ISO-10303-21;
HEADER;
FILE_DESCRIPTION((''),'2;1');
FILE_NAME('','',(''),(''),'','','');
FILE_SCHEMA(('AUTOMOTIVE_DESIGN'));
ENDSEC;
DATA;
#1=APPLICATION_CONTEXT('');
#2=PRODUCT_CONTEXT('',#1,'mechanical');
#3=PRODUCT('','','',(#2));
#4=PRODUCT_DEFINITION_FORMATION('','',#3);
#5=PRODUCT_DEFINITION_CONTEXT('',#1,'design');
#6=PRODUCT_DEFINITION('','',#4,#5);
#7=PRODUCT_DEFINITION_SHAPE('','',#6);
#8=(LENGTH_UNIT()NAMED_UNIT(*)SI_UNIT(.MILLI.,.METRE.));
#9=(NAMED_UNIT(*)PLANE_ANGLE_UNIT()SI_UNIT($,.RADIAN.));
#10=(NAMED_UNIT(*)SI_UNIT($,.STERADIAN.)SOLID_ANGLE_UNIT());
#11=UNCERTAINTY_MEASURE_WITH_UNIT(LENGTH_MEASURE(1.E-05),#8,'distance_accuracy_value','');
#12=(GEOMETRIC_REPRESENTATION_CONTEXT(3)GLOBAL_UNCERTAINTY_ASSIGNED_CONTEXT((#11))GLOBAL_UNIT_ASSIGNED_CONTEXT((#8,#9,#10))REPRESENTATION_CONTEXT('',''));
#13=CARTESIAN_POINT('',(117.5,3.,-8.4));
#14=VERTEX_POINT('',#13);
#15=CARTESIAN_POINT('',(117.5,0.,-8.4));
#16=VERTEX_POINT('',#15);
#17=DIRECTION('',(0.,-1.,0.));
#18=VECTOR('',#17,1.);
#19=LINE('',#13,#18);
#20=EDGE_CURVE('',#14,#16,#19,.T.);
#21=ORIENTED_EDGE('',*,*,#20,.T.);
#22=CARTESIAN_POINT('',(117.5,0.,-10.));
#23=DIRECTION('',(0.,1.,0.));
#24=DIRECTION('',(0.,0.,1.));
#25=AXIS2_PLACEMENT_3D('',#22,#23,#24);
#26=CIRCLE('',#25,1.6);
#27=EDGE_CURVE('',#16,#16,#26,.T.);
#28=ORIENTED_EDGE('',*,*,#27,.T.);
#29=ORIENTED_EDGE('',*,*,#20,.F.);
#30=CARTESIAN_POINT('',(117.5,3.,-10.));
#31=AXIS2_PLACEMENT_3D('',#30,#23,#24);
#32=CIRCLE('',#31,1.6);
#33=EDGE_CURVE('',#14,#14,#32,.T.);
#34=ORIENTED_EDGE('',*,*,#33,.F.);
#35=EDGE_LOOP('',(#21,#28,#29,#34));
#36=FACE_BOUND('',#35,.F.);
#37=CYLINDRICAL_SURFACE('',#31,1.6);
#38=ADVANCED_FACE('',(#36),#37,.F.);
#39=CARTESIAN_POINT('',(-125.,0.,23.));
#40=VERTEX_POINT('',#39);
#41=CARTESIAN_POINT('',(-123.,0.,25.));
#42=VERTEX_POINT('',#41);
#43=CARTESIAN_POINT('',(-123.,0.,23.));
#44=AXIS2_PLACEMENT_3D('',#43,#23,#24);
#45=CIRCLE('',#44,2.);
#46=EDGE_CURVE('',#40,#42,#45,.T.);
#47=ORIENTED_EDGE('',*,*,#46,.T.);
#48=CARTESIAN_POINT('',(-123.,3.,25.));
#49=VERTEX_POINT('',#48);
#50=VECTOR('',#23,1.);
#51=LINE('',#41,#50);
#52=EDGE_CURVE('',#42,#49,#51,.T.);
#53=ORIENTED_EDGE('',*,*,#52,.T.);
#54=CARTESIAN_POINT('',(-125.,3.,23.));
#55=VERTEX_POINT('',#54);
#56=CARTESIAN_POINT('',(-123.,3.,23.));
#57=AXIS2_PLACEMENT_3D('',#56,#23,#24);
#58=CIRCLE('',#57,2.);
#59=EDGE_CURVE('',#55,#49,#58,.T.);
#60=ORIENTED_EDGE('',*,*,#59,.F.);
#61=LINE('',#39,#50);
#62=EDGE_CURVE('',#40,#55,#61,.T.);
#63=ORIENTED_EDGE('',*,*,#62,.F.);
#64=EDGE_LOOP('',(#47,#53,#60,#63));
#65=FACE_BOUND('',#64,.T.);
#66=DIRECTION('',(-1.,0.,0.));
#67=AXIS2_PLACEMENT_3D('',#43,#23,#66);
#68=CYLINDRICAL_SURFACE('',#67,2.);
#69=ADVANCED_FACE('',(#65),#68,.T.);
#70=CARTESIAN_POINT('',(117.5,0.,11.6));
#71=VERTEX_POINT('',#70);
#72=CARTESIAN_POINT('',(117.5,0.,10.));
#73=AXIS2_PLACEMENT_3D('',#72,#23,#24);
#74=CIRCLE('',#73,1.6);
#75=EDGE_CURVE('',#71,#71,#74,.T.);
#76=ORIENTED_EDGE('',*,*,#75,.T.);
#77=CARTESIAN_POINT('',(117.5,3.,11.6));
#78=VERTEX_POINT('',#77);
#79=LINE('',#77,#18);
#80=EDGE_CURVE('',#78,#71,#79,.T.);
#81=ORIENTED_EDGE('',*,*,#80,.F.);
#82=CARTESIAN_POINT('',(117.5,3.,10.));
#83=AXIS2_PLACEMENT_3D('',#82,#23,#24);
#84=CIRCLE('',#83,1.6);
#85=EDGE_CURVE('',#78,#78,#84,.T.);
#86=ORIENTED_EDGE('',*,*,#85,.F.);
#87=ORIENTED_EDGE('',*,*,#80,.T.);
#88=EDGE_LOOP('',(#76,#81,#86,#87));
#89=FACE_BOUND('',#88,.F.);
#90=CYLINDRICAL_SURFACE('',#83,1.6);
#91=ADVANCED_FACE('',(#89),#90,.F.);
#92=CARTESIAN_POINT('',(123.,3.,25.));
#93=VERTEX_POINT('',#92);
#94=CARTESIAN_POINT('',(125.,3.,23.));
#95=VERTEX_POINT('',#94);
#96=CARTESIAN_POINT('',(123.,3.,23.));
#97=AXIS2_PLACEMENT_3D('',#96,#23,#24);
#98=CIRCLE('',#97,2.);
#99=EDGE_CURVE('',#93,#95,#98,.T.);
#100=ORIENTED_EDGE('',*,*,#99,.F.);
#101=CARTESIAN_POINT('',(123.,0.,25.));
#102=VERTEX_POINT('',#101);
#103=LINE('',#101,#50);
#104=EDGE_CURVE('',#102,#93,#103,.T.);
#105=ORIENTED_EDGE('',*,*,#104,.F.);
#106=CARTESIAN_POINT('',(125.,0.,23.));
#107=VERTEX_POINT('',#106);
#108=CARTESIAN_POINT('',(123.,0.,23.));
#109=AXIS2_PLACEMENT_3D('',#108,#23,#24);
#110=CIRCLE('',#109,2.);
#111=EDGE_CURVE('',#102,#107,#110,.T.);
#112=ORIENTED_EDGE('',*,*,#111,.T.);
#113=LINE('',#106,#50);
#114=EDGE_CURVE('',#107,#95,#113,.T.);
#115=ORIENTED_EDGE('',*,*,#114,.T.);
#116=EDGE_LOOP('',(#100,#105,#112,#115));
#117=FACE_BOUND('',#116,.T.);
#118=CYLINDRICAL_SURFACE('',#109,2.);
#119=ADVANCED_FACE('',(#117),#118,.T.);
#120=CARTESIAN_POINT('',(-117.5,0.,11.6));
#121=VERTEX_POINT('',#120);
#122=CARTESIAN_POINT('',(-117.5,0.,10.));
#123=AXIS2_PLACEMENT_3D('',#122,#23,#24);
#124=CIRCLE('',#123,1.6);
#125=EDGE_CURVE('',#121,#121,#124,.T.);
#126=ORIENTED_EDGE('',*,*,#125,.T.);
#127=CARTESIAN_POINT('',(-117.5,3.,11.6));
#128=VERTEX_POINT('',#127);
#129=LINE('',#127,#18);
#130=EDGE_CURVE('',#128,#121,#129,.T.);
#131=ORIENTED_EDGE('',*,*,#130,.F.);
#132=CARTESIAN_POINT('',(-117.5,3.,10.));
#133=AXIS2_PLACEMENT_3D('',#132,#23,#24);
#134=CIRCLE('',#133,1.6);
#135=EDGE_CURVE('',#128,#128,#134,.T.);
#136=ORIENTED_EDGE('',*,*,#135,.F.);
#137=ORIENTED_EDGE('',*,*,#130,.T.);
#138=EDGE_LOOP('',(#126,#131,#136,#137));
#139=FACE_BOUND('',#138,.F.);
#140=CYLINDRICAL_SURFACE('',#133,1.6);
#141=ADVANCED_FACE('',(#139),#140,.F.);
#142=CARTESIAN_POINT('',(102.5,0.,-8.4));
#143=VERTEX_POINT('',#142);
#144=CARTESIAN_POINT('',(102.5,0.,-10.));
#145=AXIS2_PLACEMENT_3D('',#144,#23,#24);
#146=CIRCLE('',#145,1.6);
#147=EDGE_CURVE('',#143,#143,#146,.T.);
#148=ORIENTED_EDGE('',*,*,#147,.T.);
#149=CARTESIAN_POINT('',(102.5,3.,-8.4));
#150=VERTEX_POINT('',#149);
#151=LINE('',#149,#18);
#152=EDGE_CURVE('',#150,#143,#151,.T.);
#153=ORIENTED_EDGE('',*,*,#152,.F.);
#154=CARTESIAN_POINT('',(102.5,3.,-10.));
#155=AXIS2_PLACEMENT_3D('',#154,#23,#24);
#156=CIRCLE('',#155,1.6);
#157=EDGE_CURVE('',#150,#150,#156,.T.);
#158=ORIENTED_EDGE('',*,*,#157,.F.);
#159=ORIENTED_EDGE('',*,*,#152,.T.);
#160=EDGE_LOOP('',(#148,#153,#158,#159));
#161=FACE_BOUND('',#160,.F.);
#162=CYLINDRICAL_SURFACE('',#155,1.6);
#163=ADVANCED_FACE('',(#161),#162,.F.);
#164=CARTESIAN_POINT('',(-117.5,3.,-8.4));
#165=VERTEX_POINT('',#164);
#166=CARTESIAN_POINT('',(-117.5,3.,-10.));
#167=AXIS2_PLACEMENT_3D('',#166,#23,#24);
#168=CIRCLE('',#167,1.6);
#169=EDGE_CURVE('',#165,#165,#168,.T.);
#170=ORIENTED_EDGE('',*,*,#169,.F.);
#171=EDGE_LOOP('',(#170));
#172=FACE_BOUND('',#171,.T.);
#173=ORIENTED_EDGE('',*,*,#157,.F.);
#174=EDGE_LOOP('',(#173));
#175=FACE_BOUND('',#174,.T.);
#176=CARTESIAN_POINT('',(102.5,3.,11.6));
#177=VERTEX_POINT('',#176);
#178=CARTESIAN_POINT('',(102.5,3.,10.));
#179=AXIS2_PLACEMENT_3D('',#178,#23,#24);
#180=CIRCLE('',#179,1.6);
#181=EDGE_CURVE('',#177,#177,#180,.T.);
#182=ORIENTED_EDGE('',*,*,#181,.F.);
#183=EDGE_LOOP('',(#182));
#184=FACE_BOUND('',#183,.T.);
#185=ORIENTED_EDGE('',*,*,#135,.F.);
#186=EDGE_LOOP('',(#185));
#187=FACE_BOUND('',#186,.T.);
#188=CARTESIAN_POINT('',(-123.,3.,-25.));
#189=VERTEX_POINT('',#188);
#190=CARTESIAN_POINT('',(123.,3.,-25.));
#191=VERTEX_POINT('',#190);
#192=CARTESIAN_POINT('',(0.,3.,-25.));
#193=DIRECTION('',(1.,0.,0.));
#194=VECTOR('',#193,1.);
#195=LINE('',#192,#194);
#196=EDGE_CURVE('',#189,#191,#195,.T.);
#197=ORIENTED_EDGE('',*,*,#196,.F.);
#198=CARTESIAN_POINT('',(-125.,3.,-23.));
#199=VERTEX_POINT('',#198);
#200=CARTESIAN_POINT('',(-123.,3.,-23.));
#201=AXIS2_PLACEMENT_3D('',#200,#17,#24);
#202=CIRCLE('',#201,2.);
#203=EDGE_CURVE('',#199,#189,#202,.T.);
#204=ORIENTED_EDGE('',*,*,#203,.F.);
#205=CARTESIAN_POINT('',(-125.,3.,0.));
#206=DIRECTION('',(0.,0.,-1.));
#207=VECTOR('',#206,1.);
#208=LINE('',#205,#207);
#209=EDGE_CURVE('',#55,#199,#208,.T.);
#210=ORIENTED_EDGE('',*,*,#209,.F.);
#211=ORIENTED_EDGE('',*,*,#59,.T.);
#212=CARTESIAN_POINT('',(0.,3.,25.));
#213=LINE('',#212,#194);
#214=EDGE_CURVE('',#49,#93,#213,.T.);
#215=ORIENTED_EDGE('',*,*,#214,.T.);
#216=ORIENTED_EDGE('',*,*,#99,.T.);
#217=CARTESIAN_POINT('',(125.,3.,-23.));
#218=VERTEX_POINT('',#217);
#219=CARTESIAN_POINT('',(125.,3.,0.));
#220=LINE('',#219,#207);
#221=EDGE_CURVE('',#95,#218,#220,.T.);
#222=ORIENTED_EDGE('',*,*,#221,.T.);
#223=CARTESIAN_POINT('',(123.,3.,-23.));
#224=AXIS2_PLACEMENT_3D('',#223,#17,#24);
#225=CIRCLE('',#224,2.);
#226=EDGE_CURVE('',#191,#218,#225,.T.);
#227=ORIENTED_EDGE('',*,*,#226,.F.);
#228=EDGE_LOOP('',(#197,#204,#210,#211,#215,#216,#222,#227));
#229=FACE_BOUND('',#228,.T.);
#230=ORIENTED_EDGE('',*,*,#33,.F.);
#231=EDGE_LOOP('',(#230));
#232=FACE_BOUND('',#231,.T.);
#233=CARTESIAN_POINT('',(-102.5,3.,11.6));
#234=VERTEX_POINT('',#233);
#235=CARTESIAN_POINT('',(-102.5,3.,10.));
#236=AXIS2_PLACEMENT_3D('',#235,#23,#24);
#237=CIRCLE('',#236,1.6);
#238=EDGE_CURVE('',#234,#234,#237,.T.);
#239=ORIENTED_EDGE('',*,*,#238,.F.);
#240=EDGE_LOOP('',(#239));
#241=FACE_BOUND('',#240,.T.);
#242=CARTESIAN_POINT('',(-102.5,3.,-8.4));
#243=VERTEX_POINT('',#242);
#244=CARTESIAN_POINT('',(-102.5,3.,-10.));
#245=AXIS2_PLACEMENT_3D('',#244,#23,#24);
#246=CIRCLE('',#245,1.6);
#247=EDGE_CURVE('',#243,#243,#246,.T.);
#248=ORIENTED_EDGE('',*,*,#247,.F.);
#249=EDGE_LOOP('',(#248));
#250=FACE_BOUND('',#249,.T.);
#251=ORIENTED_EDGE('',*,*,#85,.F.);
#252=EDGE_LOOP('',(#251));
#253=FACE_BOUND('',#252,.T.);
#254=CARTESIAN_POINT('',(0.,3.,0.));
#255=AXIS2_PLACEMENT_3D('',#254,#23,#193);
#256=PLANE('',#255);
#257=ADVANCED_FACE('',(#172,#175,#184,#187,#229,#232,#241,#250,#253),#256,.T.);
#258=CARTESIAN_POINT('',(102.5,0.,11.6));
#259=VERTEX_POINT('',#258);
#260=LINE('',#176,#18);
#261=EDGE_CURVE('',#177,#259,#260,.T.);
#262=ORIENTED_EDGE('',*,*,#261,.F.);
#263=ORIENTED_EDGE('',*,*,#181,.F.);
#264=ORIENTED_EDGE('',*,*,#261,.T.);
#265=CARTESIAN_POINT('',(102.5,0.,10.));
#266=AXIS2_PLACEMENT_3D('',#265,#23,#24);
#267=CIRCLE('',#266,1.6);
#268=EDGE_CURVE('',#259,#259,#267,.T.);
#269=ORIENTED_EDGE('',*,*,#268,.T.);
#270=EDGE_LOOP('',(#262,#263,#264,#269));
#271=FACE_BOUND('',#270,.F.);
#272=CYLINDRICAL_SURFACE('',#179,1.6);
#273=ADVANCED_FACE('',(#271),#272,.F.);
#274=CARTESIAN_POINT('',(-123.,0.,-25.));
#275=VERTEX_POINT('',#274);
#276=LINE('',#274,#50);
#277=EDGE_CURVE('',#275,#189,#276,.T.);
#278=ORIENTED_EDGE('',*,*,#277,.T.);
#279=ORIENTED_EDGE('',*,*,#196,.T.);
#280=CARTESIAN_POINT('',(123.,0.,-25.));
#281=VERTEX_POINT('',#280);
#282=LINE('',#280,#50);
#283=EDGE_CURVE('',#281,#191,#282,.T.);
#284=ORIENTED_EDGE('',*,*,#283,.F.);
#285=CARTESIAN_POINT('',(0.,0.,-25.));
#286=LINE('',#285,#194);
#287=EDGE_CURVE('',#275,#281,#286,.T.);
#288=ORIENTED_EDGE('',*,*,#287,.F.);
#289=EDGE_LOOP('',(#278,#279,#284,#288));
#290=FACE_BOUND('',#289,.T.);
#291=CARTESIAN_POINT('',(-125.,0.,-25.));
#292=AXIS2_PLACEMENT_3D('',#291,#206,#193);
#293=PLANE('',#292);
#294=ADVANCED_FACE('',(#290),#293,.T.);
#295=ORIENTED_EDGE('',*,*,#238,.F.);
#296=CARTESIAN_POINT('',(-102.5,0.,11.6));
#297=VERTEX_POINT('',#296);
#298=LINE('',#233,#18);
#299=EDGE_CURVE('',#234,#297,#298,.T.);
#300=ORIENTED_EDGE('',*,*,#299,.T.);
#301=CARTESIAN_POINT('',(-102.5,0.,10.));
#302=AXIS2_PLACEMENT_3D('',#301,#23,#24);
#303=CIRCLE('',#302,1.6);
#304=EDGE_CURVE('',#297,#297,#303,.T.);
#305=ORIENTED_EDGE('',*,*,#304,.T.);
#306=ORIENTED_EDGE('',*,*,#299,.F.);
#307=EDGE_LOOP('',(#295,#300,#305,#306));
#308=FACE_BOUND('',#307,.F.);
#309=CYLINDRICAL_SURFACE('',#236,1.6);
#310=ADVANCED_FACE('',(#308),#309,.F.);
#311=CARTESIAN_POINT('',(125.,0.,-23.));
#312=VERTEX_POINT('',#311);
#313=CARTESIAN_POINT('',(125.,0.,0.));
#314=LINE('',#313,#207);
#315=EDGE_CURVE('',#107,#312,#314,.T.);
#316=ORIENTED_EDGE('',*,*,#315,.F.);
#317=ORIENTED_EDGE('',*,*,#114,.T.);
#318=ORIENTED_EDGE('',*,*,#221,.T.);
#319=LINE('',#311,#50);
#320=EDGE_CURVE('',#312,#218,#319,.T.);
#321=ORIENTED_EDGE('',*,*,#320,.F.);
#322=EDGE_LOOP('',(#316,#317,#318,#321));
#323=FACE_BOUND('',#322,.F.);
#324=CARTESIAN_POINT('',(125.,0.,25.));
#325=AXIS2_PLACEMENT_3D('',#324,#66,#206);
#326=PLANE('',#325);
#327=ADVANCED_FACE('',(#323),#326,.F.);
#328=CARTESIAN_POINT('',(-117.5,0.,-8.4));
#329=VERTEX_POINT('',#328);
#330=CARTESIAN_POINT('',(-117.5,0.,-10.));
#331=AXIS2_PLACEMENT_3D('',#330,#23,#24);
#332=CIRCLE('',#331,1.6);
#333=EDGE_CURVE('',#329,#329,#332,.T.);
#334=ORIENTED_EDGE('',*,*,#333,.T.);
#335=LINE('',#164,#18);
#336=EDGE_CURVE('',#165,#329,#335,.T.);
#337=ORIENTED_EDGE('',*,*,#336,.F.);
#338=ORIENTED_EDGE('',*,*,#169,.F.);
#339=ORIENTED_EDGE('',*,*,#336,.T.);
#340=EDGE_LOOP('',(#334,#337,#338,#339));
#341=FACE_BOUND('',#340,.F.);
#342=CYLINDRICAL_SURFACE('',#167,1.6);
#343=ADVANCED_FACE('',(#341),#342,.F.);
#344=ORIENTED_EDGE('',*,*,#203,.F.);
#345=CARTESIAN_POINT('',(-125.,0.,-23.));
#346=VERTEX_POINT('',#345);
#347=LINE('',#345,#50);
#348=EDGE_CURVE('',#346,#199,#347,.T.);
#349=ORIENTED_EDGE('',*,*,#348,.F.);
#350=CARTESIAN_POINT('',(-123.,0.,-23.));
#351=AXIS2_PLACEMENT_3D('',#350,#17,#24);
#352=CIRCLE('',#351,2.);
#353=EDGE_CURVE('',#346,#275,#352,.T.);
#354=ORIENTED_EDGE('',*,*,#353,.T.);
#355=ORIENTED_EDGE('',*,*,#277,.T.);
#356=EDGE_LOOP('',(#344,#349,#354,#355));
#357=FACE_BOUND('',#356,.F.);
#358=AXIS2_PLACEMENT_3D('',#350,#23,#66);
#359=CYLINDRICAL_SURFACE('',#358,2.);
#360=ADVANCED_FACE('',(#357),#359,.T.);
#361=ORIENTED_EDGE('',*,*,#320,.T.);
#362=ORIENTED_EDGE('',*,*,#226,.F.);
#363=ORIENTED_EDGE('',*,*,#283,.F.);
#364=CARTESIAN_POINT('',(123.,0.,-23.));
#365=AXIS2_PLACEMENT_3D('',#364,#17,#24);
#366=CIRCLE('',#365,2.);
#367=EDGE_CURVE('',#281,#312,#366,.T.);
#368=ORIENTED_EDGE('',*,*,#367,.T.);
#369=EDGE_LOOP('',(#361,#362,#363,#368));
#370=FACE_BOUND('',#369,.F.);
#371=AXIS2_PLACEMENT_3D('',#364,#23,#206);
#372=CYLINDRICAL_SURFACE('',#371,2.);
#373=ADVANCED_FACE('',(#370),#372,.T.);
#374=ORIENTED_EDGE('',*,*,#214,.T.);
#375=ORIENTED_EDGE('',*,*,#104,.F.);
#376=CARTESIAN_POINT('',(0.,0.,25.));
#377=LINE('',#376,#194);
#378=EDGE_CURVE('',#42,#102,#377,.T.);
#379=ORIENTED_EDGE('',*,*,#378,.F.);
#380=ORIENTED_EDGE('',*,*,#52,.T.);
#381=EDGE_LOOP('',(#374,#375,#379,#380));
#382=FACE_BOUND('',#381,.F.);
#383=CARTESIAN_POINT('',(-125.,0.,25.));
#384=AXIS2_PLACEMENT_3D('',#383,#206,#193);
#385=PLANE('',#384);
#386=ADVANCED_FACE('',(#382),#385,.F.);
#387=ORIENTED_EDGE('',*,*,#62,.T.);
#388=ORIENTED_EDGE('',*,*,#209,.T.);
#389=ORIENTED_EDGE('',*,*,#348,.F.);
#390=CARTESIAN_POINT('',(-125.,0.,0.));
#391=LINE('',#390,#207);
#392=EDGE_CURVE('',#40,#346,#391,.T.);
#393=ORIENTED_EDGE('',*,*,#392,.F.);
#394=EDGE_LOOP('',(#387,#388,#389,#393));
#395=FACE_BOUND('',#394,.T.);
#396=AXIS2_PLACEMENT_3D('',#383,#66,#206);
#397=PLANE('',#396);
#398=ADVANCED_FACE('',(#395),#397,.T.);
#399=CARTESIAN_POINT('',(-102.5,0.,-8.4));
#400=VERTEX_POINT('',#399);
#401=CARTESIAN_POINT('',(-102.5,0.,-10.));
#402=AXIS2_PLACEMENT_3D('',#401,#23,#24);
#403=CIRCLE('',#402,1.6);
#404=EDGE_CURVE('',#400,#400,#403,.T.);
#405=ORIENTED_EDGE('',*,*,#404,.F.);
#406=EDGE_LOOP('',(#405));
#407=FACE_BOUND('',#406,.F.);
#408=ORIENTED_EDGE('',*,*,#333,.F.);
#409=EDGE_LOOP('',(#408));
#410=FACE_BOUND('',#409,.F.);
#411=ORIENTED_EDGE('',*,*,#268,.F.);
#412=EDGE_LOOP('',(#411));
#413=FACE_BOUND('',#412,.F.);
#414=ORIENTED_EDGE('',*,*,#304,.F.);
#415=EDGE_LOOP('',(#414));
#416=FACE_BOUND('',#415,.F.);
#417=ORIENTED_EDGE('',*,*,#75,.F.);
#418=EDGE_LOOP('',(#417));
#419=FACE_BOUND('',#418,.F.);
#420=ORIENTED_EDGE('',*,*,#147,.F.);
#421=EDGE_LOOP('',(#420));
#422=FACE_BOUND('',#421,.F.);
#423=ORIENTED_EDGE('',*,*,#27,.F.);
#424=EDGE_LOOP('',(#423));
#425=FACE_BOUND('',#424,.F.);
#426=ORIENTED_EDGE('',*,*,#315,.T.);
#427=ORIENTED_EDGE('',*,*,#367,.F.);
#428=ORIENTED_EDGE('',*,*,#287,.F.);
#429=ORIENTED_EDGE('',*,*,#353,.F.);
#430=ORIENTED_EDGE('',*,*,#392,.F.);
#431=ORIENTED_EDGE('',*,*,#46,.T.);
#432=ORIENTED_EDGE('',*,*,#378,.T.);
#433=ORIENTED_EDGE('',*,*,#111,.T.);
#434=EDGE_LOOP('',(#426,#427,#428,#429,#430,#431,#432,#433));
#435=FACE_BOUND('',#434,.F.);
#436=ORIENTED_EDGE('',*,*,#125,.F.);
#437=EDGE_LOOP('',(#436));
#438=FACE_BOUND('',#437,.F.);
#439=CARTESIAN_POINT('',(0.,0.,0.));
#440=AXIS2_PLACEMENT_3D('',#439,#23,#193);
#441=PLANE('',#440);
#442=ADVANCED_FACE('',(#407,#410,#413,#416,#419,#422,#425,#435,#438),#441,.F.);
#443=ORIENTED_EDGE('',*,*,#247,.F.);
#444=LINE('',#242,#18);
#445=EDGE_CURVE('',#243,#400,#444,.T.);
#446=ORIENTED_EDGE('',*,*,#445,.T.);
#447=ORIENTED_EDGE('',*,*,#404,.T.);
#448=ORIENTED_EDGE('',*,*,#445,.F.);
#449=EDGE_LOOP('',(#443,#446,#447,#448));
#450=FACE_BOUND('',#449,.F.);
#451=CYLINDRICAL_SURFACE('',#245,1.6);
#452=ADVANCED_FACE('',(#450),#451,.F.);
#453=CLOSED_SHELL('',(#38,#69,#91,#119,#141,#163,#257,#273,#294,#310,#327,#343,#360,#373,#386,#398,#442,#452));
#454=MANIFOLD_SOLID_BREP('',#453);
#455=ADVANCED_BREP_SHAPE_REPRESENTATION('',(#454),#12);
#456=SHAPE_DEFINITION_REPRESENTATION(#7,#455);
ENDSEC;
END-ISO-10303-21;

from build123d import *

# Parameters (mm, degrees)
SKETCH_1_W          = 250
SKETCH_1_H          = 50
EXTRUDE_1_DEPTH     = 3
CUT_EXTRUDE_1_REACH = 129.511
SKETCH_3_R          = 1.6
FILLET_1_R          = 2


with BuildPart() as part:
    # 草图1 → 凸台-拉伸1 (new body)
    with BuildSketch(Plane(origin=(0, 0, 0), x_dir=(1, 0, 0), z_dir=(0, 1, 0))):
        Rectangle(SKETCH_1_W, SKETCH_1_H)
    extrude(amount=EXTRUDE_1_DEPTH)

    # 草图3 → 切除-拉伸1 (cut, up to next)
    with BuildSketch(Plane(origin=(0, 3, 0), x_dir=(1, 0, 0), z_dir=(0, 1, 0)), mode=Mode.PRIVATE) as cut_extrude_1_sk1:
        with Locations(Location((-117.5, 10, 0), (0, 0, 270))):
            Circle(SKETCH_3_R)
    cut_extrude_1_tool1 = extrude(cut_extrude_1_sk1.sketch, amount=-CUT_EXTRUDE_1_REACH, mode=Mode.PRIVATE) & part.part
    # 草图3 → 切除-拉伸1 (cut, up to next)
    with BuildSketch(Plane(origin=(0, 3, 0), x_dir=(1, 0, 0), z_dir=(0, 1, 0)), mode=Mode.PRIVATE) as cut_extrude_1_sk2:
        with Locations(Location((-102.5, 10, 0), (0, 0, 270))):
            Circle(SKETCH_3_R)
    cut_extrude_1_tool2 = extrude(cut_extrude_1_sk2.sketch, amount=-CUT_EXTRUDE_1_REACH, mode=Mode.PRIVATE) & part.part
    # 草图3 → 切除-拉伸1 (cut, up to next)
    with BuildSketch(Plane(origin=(0, 3, 0), x_dir=(1, 0, 0), z_dir=(0, 1, 0)), mode=Mode.PRIVATE) as cut_extrude_1_sk3:
        with Locations(Location((-102.5, -10, 0), (0, 0, 270))):
            Circle(SKETCH_3_R)
    cut_extrude_1_tool3 = extrude(cut_extrude_1_sk3.sketch, amount=-CUT_EXTRUDE_1_REACH, mode=Mode.PRIVATE) & part.part
    # 草图3 → 切除-拉伸1 (cut, up to next)
    with BuildSketch(Plane(origin=(0, 3, 0), x_dir=(1, 0, 0), z_dir=(0, 1, 0)), mode=Mode.PRIVATE) as cut_extrude_1_sk4:
        with Locations(Location((-117.5, -10, 0), (0, 0, 270))):
            Circle(SKETCH_3_R)
    cut_extrude_1_tool4 = extrude(cut_extrude_1_sk4.sketch, amount=-CUT_EXTRUDE_1_REACH, mode=Mode.PRIVATE) & part.part
    # 草图3 → 切除-拉伸1 (cut, up to next)
    with BuildSketch(Plane(origin=(0, 3, 0), x_dir=(1, 0, 0), z_dir=(0, 1, 0)), mode=Mode.PRIVATE) as cut_extrude_1_sk5:
        with Locations(Location((117.5, -10, 0), (0, 0, 270))):
            Circle(SKETCH_3_R)
    cut_extrude_1_tool5 = extrude(cut_extrude_1_sk5.sketch, amount=-CUT_EXTRUDE_1_REACH, mode=Mode.PRIVATE) & part.part
    # 草图3 → 切除-拉伸1 (cut, up to next)
    with BuildSketch(Plane(origin=(0, 3, 0), x_dir=(1, 0, 0), z_dir=(0, 1, 0)), mode=Mode.PRIVATE) as cut_extrude_1_sk6:
        with Locations(Location((102.5, 10, 0), (0, 0, 270))):
            Circle(SKETCH_3_R)
    cut_extrude_1_tool6 = extrude(cut_extrude_1_sk6.sketch, amount=-CUT_EXTRUDE_1_REACH, mode=Mode.PRIVATE) & part.part
    # 草图3 → 切除-拉伸1 (cut, up to next)
    with BuildSketch(Plane(origin=(0, 3, 0), x_dir=(1, 0, 0), z_dir=(0, 1, 0)), mode=Mode.PRIVATE) as cut_extrude_1_sk7:
        with Locations(Location((117.5, 10, 0), (0, 0, 270))):
            Circle(SKETCH_3_R)
    cut_extrude_1_tool7 = extrude(cut_extrude_1_sk7.sketch, amount=-CUT_EXTRUDE_1_REACH, mode=Mode.PRIVATE) & part.part
    # 草图3 → 切除-拉伸1 (cut, up to next)
    with BuildSketch(Plane(origin=(0, 3, 0), x_dir=(1, 0, 0), z_dir=(0, 1, 0)), mode=Mode.PRIVATE) as cut_extrude_1_sk8:
        with Locations(Location((102.5, -10, 0), (0, 0, 270))):
            Circle(SKETCH_3_R)
    cut_extrude_1_tool8 = extrude(cut_extrude_1_sk8.sketch, amount=-CUT_EXTRUDE_1_REACH, mode=Mode.PRIVATE) & part.part
    add(cut_extrude_1_tool1.solids().sort_by_distance((-117.5, 3, -10))[0], mode=Mode.SUBTRACT)
    add(cut_extrude_1_tool2.solids().sort_by_distance((-102.5, 3, -10))[0], mode=Mode.SUBTRACT)
    add(cut_extrude_1_tool3.solids().sort_by_distance((-102.5, 3, 10))[0], mode=Mode.SUBTRACT)
    add(cut_extrude_1_tool4.solids().sort_by_distance((-117.5, 3, 10))[0], mode=Mode.SUBTRACT)
    add(cut_extrude_1_tool5.solids().sort_by_distance((117.5, 3, 10))[0], mode=Mode.SUBTRACT)
    add(cut_extrude_1_tool6.solids().sort_by_distance((102.5, 3, -10))[0], mode=Mode.SUBTRACT)
    add(cut_extrude_1_tool7.solids().sort_by_distance((117.5, 3, -10))[0], mode=Mode.SUBTRACT)
    add(cut_extrude_1_tool8.solids().sort_by_distance((102.5, 3, 10))[0], mode=Mode.SUBTRACT)

    # 圆角1
    fillet_1_edges = [part.edges().sort_by_distance(p)[0] for p in [
        (125, 1.5, 25),
        (-125, 1.5, 25),
        (-125, 1.5, -25),
        (125, 1.5, -25),
    ]]
    fillet(fillet_1_edges, radius=FILLET_1_R)


solid = part.part
